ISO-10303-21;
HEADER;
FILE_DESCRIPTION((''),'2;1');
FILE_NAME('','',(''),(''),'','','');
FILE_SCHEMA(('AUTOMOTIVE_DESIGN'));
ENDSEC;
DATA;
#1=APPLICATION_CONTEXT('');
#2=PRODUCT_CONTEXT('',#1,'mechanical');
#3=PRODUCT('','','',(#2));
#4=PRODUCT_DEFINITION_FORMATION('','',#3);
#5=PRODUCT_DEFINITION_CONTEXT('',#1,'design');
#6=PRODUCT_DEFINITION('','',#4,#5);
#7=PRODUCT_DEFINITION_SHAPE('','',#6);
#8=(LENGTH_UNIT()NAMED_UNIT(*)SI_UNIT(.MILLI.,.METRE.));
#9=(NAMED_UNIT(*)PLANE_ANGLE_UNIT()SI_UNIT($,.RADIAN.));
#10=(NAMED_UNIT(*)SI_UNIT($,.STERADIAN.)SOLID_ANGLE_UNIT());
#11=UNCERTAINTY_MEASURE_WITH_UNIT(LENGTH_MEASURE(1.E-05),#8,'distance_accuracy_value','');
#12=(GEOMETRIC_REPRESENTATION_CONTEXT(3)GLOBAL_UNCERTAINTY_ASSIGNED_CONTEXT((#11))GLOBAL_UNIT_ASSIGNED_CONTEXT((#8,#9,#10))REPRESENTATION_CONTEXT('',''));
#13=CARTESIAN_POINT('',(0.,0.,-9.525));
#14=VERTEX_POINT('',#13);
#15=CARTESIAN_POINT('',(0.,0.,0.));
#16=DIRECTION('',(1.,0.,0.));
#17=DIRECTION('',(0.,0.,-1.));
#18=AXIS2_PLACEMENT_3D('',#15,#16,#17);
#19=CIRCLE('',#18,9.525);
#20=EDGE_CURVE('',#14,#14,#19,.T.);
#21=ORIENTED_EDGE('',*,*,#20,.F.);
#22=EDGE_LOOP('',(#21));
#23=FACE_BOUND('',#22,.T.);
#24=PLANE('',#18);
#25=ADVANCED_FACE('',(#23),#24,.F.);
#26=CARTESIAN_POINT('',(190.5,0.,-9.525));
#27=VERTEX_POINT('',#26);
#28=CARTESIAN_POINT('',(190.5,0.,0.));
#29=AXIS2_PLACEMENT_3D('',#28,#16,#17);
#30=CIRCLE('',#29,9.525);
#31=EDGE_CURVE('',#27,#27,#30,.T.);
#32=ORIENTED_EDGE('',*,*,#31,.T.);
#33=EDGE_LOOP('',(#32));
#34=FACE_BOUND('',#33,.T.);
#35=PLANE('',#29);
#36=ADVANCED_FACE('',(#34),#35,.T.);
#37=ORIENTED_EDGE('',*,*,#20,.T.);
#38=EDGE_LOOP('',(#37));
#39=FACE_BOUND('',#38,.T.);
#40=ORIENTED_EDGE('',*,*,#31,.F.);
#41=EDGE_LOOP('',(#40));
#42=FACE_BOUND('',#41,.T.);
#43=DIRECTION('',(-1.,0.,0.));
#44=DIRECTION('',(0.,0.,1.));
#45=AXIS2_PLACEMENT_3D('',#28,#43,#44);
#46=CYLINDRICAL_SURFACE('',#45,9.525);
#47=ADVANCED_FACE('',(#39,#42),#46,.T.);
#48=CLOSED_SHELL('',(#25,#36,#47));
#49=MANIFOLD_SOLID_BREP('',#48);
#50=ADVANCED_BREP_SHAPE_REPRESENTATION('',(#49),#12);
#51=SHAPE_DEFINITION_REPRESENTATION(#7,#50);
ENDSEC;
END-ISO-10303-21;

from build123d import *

# Parameters (mm, degrees)
SKETCH1_R           = 9.525
BOSS_EXTRUDE1_DEPTH = 190.5


with BuildPart() as part:
    # Sketch1 → Boss-Extrude1 (new body)
    with BuildSketch(Plane(origin=(0, 0, 0), x_dir=(0, 0, -1), z_dir=(1, 0, 0))):
        Circle(SKETCH1_R)
    extrude(amount=BOSS_EXTRUDE1_DEPTH)


solid = part.part
